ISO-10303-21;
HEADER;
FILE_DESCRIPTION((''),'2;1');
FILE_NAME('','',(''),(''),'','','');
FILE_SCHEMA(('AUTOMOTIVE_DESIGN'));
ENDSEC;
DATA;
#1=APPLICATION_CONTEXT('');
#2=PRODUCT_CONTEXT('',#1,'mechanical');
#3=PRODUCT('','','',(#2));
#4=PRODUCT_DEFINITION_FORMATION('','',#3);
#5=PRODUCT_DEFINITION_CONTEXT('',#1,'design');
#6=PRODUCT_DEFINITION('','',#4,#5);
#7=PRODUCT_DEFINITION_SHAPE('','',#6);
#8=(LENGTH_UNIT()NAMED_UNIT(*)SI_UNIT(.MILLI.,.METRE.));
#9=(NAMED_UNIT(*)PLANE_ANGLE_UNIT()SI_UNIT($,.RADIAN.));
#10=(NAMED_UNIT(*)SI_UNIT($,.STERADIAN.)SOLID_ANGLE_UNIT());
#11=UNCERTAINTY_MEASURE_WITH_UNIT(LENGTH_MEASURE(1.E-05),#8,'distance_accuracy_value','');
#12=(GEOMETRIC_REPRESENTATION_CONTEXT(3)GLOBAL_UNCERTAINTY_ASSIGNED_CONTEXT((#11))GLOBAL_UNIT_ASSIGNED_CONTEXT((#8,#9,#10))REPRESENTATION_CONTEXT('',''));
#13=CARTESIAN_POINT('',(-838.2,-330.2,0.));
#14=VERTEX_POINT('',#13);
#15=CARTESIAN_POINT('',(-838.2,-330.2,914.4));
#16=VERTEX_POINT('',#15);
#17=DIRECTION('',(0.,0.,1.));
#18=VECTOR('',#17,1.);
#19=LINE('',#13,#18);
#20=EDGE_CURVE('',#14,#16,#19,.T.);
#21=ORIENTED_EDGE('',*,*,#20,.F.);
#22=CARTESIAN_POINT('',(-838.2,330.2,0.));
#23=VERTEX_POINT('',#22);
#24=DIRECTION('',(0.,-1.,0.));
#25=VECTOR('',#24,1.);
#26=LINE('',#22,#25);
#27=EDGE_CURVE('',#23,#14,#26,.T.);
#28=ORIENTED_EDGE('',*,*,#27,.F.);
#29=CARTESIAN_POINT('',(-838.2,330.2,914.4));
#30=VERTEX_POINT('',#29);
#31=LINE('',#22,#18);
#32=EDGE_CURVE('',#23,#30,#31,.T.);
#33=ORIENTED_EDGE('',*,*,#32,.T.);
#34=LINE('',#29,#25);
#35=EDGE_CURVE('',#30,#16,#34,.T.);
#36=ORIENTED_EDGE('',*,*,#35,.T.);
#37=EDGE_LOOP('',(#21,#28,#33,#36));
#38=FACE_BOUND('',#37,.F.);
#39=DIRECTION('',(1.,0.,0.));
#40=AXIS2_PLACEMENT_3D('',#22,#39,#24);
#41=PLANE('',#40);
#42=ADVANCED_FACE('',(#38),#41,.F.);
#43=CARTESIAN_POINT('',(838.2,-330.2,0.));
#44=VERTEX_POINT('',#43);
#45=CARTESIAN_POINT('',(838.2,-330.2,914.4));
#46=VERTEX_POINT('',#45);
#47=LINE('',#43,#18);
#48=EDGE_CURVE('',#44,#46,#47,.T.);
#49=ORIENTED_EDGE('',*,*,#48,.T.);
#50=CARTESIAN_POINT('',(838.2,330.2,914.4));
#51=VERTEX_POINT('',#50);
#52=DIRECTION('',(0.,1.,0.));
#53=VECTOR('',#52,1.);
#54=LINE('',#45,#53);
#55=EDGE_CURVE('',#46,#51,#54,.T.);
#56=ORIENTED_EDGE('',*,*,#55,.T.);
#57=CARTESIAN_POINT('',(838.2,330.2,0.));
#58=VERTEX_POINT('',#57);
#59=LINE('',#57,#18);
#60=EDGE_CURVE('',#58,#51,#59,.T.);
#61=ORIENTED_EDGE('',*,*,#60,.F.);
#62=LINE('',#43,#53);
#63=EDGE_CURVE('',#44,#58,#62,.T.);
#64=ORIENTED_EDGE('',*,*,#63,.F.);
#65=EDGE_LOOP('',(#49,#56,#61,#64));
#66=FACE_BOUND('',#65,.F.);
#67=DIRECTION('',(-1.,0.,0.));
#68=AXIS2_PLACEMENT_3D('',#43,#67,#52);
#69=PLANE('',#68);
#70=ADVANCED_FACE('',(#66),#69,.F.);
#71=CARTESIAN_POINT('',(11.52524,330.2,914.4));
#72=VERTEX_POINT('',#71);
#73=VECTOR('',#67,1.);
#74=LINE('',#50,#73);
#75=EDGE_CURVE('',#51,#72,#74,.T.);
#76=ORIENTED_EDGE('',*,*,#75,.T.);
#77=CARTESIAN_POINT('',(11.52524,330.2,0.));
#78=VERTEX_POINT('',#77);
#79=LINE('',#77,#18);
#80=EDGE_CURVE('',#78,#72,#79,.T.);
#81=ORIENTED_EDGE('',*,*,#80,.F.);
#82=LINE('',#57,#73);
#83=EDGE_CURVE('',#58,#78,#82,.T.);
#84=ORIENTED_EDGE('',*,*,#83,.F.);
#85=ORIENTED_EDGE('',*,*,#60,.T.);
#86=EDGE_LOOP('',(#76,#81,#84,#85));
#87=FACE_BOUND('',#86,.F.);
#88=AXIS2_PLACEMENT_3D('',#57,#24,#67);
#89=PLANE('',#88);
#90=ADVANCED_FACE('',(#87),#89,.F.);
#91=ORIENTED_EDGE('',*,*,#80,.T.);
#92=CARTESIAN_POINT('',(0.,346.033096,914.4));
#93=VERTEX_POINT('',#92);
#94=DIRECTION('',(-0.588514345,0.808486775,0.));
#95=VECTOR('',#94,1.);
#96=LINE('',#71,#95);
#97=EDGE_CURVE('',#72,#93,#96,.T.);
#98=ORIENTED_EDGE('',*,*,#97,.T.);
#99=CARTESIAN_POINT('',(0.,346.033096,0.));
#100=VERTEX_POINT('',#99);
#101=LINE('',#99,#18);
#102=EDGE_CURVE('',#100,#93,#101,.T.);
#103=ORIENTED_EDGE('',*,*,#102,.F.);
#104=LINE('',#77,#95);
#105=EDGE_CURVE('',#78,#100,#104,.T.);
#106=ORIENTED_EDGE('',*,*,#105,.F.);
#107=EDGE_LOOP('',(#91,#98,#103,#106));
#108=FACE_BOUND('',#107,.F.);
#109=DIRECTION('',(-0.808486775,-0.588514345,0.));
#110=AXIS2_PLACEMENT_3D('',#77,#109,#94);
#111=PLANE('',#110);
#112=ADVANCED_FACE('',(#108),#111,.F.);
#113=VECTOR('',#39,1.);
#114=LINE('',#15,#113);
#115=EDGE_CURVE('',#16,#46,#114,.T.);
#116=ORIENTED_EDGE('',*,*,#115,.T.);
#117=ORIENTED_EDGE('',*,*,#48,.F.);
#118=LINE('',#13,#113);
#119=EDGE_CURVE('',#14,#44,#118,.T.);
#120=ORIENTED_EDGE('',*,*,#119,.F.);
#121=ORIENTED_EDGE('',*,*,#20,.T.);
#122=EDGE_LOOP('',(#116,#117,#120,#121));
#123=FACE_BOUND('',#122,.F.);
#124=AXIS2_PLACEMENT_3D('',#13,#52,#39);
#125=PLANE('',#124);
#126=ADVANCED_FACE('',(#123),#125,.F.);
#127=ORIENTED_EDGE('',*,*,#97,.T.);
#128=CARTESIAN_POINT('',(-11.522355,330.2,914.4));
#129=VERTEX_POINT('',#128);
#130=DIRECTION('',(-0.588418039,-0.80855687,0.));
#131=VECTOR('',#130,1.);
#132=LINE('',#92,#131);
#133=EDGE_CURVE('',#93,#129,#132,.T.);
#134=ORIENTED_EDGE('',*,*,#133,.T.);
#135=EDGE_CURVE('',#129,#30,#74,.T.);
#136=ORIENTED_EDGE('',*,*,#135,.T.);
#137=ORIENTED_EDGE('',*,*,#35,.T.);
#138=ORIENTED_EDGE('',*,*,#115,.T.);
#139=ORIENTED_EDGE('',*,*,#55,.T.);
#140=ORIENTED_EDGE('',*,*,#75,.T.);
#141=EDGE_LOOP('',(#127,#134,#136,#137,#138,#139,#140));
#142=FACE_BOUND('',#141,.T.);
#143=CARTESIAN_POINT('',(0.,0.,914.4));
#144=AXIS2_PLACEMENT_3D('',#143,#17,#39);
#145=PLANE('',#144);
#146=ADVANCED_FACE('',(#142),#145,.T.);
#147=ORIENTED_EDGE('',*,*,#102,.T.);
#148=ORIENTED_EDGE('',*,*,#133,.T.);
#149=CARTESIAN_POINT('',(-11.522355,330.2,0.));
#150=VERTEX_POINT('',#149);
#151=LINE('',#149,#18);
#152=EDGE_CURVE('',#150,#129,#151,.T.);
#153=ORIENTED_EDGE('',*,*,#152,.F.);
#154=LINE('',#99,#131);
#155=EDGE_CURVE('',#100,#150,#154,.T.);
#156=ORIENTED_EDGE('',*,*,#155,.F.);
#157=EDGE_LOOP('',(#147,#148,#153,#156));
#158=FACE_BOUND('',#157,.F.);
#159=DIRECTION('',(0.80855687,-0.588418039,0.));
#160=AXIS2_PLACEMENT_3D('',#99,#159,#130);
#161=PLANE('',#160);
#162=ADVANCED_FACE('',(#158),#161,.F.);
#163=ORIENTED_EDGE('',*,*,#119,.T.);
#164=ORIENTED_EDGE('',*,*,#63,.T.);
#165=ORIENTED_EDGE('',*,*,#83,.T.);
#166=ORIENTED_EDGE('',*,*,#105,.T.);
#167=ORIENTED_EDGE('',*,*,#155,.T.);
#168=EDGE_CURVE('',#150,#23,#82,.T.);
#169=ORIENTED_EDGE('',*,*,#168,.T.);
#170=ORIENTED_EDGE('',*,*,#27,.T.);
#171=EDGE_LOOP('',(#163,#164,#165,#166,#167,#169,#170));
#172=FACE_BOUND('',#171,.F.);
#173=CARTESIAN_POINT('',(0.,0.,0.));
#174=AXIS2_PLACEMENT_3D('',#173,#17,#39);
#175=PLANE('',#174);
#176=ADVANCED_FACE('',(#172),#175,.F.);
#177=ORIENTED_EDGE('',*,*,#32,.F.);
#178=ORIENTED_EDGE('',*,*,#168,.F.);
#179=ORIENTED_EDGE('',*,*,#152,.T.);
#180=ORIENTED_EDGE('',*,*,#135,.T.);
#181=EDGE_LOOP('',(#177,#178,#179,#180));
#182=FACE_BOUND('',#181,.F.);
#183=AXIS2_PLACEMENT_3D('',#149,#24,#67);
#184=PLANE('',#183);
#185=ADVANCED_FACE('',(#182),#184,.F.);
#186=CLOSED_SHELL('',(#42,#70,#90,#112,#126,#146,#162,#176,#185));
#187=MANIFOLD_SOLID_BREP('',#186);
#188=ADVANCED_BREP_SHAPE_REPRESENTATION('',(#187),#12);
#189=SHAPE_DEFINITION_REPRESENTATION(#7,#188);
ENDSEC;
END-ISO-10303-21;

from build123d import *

# Parameters (mm, degrees)
F1_DEPTH = 914.4


with BuildPart() as f1:
    # F0 (on Top) → F1 (new body)
    with BuildSketch(Plane.XY):
        Polygon((-11.522355, 330.2), (-838.2, 330.2), (-838.2, -330.2), (838.2, -330.2), (838.2, 330.2), (11.52524, 330.2), (0, 330.2), align=None)
        Polygon((0, 346.033096), (-11.522355, 330.2), (0, 330.2), (11.52524, 330.2), align=None)
    extrude(amount=F1_DEPTH)


solid = f1.part
